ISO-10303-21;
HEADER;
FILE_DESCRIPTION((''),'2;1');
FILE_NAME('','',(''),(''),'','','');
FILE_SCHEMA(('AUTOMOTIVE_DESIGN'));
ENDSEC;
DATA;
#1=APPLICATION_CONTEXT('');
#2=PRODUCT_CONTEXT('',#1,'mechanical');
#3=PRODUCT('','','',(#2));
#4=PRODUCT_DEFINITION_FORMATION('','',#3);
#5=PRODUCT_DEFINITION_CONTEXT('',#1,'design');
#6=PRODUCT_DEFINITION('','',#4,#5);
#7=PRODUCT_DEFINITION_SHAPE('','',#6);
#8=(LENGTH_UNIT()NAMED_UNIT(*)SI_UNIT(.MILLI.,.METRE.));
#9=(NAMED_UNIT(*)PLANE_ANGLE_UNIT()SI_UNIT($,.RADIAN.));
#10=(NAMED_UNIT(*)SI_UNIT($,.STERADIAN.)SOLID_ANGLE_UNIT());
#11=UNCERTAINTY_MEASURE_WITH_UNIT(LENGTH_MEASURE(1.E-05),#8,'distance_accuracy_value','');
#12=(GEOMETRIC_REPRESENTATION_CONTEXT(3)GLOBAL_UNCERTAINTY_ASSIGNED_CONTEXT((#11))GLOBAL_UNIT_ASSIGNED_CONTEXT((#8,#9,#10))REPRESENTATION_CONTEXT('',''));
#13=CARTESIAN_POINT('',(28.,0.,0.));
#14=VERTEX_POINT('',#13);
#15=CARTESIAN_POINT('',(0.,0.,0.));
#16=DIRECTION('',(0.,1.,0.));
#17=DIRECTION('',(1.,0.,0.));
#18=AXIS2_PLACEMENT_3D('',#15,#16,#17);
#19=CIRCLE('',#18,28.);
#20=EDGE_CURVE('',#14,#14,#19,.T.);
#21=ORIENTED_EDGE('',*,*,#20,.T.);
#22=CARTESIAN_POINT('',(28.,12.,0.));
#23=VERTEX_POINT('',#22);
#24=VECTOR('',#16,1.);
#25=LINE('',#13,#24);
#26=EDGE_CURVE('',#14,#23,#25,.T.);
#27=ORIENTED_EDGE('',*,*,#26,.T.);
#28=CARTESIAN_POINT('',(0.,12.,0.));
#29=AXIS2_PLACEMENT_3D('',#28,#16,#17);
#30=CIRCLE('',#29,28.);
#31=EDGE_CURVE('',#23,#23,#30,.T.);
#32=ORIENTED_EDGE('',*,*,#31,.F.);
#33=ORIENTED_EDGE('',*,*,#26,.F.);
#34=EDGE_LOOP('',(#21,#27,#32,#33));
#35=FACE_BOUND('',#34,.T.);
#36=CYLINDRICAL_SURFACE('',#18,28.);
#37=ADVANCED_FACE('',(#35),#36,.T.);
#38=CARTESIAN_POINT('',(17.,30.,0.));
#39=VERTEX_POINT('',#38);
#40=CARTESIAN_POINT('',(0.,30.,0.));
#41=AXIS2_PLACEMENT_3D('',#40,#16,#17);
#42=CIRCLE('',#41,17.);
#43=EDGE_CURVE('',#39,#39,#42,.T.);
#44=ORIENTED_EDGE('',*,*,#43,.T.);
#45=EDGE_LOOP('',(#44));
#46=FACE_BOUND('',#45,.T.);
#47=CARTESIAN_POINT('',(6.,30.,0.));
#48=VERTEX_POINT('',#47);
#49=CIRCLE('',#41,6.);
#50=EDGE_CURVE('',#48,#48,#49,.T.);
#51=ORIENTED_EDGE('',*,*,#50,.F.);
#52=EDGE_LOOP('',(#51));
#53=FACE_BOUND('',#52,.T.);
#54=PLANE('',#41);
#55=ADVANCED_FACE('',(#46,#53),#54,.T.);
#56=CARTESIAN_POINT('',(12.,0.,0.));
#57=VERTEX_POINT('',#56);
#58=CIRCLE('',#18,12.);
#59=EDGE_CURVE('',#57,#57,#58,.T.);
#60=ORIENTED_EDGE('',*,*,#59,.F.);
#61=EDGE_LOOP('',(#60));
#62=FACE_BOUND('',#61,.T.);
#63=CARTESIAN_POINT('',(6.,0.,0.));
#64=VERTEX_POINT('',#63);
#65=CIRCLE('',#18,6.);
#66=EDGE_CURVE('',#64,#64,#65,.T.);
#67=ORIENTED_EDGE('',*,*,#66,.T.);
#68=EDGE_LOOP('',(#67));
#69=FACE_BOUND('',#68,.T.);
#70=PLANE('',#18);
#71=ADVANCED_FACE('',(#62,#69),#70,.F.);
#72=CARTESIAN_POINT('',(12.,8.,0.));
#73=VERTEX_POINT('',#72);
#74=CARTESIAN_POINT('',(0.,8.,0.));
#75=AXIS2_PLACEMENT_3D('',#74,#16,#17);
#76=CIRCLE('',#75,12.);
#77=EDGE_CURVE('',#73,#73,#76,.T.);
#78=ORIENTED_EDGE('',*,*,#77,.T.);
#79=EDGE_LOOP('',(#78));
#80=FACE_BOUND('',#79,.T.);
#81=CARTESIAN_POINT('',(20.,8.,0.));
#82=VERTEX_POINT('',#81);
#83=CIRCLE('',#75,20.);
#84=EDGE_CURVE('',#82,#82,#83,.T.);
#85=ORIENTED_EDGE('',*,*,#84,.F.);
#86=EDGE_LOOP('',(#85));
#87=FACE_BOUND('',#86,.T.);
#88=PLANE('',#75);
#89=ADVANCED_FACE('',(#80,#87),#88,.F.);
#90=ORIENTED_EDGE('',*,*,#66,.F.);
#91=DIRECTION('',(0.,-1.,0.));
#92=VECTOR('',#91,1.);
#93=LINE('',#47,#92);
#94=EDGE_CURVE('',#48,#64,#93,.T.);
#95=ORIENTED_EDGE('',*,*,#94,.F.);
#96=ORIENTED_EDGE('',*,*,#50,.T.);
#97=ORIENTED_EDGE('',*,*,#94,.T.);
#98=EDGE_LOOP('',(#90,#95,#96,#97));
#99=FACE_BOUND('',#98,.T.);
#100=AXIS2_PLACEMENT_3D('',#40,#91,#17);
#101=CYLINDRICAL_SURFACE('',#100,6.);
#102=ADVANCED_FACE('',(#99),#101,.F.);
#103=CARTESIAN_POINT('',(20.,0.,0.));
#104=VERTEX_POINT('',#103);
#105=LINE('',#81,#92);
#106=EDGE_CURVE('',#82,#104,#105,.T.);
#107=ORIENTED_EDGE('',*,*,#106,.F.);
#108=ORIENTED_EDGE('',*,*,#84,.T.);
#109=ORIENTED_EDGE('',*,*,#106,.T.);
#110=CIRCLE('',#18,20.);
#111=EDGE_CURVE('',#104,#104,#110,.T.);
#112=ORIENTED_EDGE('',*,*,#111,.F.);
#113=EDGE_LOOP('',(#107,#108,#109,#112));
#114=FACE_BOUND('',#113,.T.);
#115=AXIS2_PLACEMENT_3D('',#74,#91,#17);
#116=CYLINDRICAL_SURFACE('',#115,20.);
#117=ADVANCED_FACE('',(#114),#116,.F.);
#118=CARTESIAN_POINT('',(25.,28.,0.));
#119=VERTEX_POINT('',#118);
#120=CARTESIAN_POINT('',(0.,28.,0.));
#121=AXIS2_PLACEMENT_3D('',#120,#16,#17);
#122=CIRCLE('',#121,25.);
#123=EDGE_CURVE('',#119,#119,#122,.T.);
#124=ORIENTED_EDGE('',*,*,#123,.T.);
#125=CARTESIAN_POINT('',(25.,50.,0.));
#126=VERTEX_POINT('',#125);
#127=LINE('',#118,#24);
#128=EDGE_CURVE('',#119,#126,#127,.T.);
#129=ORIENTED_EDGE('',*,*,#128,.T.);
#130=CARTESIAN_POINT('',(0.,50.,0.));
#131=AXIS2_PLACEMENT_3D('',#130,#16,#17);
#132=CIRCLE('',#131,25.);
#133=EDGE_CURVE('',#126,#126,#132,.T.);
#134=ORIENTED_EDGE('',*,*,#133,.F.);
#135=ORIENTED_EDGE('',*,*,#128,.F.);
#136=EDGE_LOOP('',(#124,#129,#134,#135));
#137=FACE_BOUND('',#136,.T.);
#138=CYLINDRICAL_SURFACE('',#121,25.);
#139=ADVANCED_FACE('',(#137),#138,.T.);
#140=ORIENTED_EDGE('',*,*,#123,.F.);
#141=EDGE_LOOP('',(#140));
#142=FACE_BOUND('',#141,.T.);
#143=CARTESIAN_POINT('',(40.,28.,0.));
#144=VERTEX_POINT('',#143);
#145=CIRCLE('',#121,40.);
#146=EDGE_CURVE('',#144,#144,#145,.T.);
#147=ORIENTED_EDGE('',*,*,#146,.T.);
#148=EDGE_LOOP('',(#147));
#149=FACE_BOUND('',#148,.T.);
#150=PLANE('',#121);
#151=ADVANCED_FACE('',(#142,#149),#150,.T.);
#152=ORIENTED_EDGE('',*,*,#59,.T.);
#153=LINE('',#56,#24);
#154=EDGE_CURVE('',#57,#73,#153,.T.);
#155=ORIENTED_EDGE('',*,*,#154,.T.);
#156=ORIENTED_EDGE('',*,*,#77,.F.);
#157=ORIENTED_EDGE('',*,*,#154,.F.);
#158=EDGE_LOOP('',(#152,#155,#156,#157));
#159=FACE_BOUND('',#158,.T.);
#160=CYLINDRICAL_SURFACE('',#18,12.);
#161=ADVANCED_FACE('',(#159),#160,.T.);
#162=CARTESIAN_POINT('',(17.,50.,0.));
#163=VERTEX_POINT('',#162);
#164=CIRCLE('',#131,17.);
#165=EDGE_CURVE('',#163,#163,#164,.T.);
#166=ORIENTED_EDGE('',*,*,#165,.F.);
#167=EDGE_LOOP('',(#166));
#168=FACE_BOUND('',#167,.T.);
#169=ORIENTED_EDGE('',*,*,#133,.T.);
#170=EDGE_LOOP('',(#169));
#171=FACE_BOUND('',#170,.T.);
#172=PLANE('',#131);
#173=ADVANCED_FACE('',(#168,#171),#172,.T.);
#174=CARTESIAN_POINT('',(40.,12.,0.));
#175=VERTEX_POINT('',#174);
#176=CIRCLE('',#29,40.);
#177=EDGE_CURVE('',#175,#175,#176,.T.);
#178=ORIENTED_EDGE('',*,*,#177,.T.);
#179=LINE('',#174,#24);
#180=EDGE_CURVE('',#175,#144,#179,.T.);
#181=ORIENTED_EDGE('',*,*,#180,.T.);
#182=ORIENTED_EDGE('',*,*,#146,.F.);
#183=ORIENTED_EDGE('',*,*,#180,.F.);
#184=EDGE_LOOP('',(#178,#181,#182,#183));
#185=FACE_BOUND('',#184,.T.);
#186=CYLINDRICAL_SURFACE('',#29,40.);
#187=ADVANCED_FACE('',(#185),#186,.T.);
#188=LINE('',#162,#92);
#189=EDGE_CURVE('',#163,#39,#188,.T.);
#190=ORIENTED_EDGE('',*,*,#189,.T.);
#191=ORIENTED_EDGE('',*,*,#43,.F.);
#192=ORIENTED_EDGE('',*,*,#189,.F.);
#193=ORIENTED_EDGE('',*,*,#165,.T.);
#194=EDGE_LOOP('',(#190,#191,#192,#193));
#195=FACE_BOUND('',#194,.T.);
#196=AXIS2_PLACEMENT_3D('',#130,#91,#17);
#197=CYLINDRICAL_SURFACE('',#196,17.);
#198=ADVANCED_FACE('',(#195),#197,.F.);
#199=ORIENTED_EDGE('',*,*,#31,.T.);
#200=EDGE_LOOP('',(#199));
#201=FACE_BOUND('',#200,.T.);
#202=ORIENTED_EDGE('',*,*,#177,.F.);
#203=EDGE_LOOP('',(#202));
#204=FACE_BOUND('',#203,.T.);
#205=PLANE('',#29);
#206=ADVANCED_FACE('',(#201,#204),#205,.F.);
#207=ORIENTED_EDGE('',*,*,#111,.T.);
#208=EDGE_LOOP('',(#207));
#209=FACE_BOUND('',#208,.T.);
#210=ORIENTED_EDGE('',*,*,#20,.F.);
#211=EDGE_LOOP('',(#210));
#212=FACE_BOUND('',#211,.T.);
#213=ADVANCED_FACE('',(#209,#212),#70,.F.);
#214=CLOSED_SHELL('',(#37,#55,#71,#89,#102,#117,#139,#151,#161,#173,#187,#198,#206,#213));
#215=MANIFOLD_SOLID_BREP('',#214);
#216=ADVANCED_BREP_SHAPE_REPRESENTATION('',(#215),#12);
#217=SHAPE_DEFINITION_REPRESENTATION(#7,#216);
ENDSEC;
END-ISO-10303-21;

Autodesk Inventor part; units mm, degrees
ref_plane "YZ Plane" through (0, 0, 0) normal (1, 0, 0) x (0, 1, 0)
ref_plane "XZ Plane" through (0, 0, 0) normal (0, 1, 0) x (-1, 0, 0)
ref_plane "XY Plane" through (0, 0, 0) normal (0, 0, 1) x (1, 0, 0)
sketch "Эскиз1" plane through (0, 0, 0) normal (0, 0, 1) x (1, 0, 0)
  line L0 (6, 0) -> (12, 0)
  line L1 (12, 0) -> (12, 8)
  line L2 (12, 8) -> (20, 8)
  line L3 (20, 8) -> (20, 0)
  line L4 (20, 0) -> (28, 0)
  line L5 (28, 0) -> (28, 12)
  line L6 (28, 12) -> (40, 12)
  line L7 (40, 12) -> (40, 28)
  line L8 (40, 28) -> (25, 28)
  line L9 (25, 28) -> (25, 50)
  line L10 (25, 50) -> (17, 50)
  line L11 (17, 50) -> (17, 30)
  line L12 (17, 30) -> (6, 30)
  line L13 (6, 30) -> (6, 0)
  line L14 (6, 0) -> (0, 0)
  line L15 (0, 0) -> (0, 22.7372)
  dimension "d0" = 6
  dimension "d1" = 8
  dimension "d2" = 8
  dimension "d4" = 12
  dimension "d5" = 12
  dimension "d7" = 15
  dimension "d8" = 22
  dimension "d10" = 20
  dimension "d11" = 11
  dimension "d12" = 8
  dimension "d13" = 8
  dimension "d14" = 30
  dimension "d15" = 6
revolve "Вращение1" add sketch "Эскиз1" angle 360 about axis through (0, 0, 0) along (0, 1, 0)
properties part number "3"
